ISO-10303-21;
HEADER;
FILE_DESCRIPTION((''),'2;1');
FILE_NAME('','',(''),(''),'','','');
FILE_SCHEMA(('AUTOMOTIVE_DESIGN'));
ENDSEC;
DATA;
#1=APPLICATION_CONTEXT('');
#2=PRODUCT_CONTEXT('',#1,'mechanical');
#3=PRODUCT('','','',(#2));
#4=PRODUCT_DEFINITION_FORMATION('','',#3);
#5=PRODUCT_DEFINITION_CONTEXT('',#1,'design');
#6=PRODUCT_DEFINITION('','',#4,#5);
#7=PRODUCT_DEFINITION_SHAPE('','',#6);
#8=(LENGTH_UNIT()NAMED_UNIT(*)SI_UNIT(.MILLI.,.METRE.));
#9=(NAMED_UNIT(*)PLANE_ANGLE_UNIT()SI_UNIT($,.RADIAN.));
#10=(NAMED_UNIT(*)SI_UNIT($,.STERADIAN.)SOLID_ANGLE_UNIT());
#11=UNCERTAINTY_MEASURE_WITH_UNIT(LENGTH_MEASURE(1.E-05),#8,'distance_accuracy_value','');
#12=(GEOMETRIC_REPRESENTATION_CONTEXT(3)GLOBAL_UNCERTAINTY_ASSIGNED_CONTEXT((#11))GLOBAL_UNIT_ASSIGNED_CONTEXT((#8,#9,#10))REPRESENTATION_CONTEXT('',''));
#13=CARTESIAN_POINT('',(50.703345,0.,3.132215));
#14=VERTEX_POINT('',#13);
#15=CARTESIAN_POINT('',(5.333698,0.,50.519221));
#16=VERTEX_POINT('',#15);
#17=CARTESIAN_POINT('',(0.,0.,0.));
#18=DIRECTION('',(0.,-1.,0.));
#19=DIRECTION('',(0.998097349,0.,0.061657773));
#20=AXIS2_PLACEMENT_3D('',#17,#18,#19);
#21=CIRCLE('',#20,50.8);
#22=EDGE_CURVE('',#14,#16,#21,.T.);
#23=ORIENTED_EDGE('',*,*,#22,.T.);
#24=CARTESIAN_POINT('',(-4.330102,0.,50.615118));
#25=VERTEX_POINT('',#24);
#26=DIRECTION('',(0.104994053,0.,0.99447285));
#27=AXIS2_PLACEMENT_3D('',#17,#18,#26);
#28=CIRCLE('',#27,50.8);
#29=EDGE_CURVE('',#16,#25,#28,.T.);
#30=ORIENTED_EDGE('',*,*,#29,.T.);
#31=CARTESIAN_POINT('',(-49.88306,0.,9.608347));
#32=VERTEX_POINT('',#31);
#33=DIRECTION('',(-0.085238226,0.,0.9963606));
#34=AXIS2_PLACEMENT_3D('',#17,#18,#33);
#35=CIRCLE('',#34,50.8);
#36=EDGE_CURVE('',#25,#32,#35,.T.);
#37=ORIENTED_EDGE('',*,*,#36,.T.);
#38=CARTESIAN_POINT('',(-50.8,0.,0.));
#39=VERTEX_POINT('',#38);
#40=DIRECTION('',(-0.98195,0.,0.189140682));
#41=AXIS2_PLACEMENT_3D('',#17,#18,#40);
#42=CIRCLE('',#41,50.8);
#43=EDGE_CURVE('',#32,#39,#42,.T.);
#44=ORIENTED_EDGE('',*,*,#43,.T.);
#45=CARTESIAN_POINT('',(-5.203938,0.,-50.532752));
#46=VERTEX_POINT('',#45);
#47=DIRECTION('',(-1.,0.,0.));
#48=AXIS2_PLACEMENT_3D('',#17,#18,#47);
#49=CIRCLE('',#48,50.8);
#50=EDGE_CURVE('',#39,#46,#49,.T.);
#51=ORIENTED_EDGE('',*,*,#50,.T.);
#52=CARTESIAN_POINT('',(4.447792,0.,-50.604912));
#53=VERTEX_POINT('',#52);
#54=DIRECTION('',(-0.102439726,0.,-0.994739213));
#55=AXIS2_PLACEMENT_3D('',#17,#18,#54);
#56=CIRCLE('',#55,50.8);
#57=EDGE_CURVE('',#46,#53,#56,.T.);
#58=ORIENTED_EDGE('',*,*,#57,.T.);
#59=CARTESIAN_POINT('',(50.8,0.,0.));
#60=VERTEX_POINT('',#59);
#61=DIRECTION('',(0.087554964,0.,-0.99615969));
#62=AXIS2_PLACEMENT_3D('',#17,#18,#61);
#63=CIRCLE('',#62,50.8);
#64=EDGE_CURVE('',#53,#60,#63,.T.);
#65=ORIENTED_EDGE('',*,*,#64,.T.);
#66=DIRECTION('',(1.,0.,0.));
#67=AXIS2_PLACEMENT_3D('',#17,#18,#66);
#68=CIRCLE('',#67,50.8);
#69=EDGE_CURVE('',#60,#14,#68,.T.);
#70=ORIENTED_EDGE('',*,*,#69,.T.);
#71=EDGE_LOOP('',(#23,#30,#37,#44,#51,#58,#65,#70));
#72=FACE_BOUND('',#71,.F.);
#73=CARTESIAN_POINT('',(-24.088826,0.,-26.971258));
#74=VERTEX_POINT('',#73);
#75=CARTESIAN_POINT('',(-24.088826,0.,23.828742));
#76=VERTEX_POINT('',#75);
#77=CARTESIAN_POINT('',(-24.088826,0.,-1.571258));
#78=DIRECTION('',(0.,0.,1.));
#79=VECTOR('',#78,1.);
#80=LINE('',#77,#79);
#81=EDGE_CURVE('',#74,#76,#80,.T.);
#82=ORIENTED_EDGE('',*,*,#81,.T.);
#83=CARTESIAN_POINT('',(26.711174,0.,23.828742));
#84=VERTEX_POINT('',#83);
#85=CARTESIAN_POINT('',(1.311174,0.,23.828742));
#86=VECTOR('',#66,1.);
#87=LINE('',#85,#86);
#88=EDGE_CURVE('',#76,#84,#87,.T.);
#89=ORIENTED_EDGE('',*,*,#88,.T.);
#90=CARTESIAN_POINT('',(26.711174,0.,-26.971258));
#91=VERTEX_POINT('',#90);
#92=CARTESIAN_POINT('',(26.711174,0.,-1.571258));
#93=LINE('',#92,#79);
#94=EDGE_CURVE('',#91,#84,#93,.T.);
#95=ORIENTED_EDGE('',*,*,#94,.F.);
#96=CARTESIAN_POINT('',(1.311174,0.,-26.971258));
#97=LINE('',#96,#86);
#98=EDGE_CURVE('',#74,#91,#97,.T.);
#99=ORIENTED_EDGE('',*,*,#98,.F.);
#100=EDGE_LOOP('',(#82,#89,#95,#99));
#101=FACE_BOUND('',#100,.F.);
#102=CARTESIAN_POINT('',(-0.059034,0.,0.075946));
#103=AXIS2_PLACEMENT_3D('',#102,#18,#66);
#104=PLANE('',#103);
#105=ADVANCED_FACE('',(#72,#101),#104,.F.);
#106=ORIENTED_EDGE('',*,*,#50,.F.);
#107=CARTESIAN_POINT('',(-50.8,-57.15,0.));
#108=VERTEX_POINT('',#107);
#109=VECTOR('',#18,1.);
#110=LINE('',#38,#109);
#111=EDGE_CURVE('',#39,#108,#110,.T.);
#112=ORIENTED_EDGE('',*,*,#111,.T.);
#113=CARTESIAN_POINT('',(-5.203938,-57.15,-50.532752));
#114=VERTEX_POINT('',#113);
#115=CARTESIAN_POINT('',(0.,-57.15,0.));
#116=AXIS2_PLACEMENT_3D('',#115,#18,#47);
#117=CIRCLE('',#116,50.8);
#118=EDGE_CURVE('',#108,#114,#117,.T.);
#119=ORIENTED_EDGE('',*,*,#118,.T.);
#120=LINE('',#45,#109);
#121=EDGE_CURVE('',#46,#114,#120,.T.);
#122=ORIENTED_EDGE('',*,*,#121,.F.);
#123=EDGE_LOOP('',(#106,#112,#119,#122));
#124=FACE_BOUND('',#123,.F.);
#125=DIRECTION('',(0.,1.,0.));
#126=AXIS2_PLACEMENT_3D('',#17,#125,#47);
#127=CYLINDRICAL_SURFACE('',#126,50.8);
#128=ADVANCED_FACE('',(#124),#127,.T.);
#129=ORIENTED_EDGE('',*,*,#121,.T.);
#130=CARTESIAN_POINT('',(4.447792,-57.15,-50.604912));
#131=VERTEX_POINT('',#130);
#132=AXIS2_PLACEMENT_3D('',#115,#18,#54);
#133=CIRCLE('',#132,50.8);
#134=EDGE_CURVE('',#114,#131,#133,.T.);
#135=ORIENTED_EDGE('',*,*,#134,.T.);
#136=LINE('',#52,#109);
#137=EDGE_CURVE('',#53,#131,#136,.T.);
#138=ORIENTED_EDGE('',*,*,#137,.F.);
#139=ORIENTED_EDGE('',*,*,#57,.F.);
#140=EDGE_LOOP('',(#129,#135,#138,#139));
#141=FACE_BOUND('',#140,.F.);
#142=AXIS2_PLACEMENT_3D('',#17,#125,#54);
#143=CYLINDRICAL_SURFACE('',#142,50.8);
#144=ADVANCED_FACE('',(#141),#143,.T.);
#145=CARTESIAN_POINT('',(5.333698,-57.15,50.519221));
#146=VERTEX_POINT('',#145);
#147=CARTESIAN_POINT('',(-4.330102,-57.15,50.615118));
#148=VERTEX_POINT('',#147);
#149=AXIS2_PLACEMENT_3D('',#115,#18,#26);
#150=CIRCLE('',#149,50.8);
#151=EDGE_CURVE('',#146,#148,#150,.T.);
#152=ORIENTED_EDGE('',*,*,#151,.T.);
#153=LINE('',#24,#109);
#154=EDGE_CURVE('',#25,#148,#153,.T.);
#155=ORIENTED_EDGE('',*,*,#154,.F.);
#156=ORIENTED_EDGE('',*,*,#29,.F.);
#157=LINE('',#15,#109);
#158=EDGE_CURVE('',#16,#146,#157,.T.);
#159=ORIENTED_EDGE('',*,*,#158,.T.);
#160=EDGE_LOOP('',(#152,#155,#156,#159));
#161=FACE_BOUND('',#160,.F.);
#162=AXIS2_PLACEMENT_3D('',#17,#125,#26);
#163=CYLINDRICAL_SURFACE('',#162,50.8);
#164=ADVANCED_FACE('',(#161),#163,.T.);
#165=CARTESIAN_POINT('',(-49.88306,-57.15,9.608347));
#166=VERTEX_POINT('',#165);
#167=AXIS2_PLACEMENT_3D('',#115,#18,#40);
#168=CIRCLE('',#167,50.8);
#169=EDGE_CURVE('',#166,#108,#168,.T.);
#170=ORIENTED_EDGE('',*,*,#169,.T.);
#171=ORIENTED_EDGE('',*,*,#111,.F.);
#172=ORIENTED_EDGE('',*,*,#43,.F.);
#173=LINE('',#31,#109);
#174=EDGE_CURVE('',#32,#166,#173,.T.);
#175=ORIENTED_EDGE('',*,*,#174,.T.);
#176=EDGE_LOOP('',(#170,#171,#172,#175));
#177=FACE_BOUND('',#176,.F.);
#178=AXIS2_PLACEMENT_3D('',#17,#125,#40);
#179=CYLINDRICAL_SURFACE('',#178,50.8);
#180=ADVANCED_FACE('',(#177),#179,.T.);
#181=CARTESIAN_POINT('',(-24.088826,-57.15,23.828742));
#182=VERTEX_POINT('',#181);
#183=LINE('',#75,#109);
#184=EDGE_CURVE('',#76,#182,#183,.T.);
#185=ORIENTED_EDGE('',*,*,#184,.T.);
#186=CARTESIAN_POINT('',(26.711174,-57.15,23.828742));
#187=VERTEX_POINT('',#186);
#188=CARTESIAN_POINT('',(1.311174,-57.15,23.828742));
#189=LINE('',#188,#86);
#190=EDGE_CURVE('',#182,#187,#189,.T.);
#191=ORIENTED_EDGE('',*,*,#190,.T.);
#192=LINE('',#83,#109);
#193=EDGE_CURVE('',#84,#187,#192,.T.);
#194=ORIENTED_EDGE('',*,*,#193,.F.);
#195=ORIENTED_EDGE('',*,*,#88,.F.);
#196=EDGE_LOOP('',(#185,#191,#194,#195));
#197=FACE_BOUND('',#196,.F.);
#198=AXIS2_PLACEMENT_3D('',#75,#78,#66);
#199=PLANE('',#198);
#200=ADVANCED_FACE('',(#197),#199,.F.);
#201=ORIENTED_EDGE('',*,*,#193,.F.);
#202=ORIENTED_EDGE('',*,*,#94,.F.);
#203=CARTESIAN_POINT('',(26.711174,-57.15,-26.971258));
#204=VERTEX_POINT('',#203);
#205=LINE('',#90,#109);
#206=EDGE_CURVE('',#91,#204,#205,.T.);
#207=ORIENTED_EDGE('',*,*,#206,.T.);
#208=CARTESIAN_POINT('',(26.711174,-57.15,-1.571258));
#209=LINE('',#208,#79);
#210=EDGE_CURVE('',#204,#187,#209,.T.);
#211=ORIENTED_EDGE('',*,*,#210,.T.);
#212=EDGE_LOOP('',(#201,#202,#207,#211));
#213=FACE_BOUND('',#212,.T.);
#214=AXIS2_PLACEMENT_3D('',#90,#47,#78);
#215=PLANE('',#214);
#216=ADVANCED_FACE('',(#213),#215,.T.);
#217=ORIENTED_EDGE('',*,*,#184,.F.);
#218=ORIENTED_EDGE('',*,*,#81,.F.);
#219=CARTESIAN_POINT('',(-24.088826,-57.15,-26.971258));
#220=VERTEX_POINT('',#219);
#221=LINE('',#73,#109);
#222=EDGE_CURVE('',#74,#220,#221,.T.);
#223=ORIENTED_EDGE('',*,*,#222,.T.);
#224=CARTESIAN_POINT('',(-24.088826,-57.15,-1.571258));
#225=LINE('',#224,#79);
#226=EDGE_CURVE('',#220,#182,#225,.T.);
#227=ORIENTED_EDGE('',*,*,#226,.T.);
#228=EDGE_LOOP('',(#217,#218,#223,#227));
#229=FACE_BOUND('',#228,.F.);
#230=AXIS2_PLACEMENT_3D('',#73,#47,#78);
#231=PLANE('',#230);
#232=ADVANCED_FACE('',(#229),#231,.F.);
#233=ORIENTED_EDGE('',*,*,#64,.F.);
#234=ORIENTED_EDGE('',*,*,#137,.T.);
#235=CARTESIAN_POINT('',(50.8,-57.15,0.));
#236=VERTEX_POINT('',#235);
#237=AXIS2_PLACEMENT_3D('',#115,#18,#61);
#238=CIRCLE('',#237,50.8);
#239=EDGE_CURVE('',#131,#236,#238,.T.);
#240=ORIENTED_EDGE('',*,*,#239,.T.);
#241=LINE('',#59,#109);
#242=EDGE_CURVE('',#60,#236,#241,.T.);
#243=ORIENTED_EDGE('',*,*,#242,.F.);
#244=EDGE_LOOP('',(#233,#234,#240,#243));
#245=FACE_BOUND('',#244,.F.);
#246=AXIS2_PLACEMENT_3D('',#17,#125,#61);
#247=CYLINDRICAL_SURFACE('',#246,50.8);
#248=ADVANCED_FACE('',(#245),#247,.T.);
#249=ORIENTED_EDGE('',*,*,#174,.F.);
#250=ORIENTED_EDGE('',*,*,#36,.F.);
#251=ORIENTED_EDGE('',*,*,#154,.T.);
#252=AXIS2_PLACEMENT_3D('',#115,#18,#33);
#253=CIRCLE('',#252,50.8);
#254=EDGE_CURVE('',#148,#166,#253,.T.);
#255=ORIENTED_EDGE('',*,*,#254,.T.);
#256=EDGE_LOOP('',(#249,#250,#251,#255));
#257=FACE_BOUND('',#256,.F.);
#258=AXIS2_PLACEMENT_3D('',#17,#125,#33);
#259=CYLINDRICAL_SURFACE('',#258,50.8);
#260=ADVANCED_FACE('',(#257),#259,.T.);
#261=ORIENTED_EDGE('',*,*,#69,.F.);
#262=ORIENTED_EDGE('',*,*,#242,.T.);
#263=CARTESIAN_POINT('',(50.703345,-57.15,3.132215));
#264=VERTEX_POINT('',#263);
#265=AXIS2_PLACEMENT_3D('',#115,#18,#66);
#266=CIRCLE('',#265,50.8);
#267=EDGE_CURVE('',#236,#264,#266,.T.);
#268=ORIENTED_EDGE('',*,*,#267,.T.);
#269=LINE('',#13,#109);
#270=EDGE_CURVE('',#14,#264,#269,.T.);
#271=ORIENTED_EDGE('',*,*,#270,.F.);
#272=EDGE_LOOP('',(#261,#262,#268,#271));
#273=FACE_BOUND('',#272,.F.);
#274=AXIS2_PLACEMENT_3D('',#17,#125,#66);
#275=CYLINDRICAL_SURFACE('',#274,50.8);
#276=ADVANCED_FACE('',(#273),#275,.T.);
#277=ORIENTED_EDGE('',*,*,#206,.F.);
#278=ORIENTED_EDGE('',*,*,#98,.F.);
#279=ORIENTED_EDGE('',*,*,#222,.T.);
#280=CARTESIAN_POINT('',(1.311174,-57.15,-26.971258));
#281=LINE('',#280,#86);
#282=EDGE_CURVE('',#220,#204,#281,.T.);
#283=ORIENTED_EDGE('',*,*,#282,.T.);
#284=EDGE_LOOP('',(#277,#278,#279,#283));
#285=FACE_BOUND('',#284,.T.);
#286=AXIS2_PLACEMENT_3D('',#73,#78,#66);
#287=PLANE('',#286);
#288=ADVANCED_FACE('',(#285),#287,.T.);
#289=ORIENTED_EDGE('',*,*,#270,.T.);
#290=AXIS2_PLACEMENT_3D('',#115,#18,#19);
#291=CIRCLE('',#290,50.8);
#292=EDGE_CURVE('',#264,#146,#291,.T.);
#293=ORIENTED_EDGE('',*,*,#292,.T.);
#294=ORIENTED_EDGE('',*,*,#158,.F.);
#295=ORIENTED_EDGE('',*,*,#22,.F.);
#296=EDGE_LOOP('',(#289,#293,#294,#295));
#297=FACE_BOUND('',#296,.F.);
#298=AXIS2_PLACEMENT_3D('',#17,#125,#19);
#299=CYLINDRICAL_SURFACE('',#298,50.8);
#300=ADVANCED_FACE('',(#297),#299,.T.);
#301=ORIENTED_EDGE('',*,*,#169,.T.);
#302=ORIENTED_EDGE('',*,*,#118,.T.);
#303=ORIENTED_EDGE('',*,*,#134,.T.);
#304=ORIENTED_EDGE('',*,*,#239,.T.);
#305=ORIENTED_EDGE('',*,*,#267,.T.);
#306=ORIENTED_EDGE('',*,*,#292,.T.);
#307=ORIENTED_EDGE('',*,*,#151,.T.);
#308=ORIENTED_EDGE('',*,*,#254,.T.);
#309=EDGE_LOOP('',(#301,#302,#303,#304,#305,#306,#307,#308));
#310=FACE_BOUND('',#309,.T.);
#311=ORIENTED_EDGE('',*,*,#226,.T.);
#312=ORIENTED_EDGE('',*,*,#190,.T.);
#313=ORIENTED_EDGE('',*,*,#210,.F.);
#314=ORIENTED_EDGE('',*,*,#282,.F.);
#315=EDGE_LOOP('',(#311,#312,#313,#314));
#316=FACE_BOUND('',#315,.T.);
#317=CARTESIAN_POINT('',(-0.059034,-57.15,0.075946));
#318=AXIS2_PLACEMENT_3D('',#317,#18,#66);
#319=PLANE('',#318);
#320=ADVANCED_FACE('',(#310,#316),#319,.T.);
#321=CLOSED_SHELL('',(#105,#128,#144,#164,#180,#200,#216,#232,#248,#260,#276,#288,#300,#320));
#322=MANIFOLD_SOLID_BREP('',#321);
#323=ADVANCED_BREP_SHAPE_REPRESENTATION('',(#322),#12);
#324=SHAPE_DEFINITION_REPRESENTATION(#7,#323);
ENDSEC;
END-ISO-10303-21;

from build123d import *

# Parameters (mm, degrees)
F0_R     = 45.8082215722
F0_W     = 50.8
F0_H     = 50.8
F1_DEPTH = 57.15


with BuildPart() as f1:
    # F0 (on Front) → F1 (new body)
    with BuildSketch(Plane.XZ):
        with BuildLine():
            ThreePointArc((50.3805792284, -6.5143868947), (50.6950363685, -3.263937438), (50.8, 0))
            ThreePointArc((50.8, 0), (50.7758305884, 1.5668529167), (50.7033453519, 3.132214892))
            ThreePointArc((50.7033453519, 3.132214892), (36.6935912077, 35.1314725606), (5.3336979084, 50.5192207642))
            ThreePointArc((5.3336979084, 50.5192207642), (0.5040836669, 50.7974989508), (-4.3301018727, 50.6151184704))
            ThreePointArc((-4.3301018727, 50.6151184704), (-33.9875795574, 37.7555881404), (-49.88306, 9.6083466339))
            ThreePointArc((-49.88306, 9.6083466339), (-50.5702454414, 4.826), (-50.8, 0))
            ThreePointArc((-50.8, 0), (-37.7160446944, -34.0314556346), (-5.2039380863, -50.5327520366))
            ThreePointArc((-5.2039380863, -50.5327520366), (-0.3797906487, -50.7985802859), (4.4477921681, -50.6049122599))
            ThreePointArc((4.4477921681, -50.6049122599), (35.1785614294, -36.6484490225), (50.3805792284, -6.5143868947))
        make_face()
        Circle(F0_R, mode=Mode.SUBTRACT)
        Circle(F0_R)
        with Locations((1.3111739695, -1.5712582231)):
            Rectangle(F0_W, F0_H, mode=Mode.SUBTRACT)
    extrude(amount=F1_DEPTH)


solid = f1.part
